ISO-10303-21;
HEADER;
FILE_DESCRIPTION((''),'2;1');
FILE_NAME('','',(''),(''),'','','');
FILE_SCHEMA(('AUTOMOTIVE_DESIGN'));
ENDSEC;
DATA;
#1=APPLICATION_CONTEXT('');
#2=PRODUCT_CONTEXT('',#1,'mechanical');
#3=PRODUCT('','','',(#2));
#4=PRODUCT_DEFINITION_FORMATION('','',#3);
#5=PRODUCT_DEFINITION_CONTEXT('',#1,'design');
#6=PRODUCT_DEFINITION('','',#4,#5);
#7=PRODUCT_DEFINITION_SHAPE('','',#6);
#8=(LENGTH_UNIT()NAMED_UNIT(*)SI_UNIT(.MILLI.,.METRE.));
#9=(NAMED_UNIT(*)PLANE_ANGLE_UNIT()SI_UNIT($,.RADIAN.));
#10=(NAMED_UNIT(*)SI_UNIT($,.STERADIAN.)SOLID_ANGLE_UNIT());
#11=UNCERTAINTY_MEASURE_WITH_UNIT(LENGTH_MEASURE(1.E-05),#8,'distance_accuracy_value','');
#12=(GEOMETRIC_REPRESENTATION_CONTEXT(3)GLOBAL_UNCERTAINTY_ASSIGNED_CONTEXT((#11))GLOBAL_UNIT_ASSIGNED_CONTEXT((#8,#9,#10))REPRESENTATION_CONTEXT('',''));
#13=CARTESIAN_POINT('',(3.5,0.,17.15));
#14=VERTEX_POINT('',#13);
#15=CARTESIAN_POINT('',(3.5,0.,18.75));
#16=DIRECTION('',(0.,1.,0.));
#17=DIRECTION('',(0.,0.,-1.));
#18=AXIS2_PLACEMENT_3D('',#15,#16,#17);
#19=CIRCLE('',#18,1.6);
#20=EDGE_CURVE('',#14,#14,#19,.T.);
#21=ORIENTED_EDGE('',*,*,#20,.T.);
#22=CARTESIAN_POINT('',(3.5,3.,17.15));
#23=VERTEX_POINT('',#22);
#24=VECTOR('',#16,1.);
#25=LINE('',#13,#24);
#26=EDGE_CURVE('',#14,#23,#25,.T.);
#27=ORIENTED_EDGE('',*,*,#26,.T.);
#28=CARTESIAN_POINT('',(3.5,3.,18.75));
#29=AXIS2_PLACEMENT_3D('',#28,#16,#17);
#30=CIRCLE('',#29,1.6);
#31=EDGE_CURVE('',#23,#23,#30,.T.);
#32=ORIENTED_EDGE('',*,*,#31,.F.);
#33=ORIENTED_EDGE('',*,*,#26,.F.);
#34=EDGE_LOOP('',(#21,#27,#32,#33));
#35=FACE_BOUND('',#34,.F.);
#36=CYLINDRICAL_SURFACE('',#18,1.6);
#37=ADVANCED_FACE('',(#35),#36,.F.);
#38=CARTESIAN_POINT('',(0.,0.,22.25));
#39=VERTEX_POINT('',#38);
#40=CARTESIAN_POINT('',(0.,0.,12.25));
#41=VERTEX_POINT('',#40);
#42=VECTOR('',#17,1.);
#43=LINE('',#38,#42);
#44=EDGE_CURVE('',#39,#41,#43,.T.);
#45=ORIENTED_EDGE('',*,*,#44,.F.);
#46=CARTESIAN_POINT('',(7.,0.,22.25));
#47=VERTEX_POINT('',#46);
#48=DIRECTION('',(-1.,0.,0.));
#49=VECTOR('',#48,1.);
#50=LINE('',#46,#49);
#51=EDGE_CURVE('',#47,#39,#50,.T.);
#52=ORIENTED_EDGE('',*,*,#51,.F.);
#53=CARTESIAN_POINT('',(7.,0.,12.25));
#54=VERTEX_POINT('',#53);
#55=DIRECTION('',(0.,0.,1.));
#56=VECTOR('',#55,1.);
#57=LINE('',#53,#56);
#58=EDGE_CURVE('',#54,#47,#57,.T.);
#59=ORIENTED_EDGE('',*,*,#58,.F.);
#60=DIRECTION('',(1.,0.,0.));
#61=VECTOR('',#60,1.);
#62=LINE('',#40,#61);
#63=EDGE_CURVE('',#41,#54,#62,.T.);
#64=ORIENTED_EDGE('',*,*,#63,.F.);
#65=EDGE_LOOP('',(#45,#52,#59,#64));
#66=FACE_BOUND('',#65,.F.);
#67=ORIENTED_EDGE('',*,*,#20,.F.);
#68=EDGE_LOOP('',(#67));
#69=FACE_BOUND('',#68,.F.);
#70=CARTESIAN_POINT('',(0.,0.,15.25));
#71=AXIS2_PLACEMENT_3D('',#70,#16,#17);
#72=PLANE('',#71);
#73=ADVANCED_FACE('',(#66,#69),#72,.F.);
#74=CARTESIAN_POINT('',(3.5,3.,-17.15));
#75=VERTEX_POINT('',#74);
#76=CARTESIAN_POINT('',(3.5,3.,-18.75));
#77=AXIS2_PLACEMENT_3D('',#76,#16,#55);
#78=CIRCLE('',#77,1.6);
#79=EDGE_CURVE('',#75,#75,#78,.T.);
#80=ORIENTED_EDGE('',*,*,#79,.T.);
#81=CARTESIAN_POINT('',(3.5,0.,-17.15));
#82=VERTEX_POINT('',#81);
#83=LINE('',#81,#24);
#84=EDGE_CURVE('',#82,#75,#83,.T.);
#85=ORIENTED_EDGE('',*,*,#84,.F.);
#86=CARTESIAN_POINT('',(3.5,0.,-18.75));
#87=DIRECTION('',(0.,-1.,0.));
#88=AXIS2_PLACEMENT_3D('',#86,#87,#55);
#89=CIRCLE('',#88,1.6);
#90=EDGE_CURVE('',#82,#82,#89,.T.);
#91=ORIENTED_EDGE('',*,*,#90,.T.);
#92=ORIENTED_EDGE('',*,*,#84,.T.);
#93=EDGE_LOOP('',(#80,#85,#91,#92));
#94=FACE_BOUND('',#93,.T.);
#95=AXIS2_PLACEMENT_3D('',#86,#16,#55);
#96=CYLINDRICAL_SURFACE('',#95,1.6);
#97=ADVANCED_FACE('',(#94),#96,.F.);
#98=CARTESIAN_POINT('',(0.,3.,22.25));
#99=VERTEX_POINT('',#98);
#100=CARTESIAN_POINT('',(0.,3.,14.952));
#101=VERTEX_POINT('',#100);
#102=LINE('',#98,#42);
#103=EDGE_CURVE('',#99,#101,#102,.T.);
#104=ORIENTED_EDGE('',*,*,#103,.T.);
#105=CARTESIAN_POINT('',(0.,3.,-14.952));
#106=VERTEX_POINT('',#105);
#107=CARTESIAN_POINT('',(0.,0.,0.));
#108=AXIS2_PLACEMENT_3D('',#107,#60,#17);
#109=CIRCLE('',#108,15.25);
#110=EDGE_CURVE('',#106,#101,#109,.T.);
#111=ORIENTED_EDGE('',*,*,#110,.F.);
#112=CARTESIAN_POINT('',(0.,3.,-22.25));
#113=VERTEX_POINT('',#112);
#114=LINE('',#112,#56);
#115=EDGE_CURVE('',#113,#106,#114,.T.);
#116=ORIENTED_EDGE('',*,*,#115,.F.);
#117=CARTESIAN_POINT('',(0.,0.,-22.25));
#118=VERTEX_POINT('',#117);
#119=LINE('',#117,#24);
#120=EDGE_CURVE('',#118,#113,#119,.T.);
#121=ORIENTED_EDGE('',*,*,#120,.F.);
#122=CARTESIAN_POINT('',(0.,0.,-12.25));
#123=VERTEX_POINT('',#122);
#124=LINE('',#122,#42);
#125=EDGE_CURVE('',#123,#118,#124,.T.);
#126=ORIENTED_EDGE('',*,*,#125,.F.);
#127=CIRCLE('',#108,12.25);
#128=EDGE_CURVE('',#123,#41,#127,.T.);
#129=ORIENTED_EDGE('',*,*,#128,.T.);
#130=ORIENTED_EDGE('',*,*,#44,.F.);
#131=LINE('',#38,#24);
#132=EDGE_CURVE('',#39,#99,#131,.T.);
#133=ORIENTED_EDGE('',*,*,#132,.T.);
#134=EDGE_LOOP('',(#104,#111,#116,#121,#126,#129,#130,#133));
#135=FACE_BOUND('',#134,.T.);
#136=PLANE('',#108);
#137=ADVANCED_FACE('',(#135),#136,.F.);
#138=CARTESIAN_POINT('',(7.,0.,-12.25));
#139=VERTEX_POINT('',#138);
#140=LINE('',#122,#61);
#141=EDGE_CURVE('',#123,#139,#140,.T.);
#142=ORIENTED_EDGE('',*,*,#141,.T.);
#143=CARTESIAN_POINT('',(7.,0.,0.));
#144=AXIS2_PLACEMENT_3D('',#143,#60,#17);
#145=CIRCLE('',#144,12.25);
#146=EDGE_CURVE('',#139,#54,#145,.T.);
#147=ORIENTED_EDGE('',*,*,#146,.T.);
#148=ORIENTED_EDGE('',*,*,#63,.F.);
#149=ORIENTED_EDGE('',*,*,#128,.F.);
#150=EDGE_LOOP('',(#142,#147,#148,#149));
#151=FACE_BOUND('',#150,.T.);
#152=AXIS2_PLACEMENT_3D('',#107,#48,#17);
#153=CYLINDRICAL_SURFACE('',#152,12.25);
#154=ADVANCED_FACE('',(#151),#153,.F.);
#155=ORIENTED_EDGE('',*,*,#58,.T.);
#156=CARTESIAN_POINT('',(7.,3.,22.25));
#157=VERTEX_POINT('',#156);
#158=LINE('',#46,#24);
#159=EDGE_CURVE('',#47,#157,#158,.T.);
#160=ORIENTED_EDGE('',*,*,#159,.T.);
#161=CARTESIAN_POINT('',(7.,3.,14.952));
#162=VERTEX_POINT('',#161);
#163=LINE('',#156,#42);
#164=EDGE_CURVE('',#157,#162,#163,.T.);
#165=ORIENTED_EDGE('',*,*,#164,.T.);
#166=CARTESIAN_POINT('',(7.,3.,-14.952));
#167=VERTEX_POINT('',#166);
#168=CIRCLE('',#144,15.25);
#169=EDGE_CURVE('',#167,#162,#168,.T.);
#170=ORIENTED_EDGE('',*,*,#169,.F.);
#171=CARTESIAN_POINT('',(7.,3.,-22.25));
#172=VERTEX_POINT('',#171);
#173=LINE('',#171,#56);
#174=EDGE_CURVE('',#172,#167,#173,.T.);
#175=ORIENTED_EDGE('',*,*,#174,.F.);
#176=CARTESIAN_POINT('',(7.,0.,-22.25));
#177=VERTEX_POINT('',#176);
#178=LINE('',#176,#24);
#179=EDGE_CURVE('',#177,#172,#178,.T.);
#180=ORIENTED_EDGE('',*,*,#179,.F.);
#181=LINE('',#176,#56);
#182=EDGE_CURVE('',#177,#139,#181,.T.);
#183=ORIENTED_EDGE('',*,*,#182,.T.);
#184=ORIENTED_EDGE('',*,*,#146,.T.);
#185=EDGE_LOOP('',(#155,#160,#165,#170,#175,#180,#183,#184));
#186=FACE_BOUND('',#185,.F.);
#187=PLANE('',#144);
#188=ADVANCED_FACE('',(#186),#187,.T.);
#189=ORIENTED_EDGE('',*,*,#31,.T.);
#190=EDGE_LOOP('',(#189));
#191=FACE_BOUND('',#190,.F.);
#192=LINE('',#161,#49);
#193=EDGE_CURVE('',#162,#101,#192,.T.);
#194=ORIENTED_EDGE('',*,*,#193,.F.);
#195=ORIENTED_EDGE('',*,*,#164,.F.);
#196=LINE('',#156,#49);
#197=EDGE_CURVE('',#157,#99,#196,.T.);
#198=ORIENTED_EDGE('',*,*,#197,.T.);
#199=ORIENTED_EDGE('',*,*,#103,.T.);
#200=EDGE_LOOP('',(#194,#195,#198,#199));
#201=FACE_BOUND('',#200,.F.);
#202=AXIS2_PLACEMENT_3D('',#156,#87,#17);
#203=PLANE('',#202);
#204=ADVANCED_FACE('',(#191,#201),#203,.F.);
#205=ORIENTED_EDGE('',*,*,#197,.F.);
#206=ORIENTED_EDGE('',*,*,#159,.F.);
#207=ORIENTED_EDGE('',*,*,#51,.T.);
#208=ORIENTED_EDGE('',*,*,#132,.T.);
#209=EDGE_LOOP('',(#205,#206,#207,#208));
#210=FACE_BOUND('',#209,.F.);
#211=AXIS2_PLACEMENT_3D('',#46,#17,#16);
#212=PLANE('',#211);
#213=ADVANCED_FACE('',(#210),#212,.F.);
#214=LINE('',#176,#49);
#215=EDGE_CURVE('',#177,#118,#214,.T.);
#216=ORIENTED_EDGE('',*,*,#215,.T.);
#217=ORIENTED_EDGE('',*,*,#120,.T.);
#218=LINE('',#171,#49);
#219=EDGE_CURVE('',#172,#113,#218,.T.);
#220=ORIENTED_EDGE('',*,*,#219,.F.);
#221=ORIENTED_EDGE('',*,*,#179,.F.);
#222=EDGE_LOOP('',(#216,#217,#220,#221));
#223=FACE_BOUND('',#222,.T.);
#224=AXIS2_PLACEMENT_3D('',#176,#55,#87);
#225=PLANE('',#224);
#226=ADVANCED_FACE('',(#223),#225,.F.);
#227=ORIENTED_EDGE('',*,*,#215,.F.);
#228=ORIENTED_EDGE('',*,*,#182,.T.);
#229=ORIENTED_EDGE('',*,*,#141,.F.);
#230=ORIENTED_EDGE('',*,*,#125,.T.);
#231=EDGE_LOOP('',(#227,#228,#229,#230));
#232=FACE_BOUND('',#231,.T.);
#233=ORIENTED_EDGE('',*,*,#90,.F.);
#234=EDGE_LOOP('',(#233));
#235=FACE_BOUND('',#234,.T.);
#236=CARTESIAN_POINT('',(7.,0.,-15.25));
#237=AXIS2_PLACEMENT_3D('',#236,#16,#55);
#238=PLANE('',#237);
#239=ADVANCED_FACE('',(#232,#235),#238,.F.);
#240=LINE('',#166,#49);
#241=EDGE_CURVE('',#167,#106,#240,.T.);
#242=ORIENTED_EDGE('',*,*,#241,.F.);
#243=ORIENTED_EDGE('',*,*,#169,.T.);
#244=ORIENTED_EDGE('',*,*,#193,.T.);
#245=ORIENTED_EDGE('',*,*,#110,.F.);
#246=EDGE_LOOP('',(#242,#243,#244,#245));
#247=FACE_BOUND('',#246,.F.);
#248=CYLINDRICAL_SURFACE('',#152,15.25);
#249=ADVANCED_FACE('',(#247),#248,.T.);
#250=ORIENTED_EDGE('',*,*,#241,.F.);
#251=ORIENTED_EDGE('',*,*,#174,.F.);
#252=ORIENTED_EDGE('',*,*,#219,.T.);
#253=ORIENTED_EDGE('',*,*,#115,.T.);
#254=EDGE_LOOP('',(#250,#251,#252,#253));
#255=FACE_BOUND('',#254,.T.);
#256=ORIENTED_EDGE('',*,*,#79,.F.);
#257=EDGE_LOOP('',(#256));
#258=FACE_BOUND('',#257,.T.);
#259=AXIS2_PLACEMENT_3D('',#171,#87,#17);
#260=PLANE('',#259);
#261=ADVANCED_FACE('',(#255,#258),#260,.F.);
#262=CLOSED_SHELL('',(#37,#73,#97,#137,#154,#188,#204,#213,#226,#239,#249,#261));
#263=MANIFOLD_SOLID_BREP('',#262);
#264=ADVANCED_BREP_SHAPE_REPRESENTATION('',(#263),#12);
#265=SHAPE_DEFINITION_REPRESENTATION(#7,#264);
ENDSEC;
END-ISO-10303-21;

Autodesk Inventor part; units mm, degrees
ref_plane "YZ Plane" through (0, 0, 0) normal (1, 0, 0) x (0, 1, 0)
ref_plane "XZ Plane" through (0, 0, 0) normal (0, 1, 0) x (-1, 0, 0)
ref_plane "XY Plane" through (0, 0, 0) normal (0, 0, 1) x (1, 0, 0)
sketch "Skizze1" plane through (0, 0, 0) normal (1, 0, 0) x (0, 1, 0)
  arc A0 (0, -12.25) -> (0, 12.25) centre (0, 0) ccw
  line L0 (0, 0) -> (0, 12.25) construction
  line L1 (0, 0) -> (0, -12.25) construction
  arc A1 (0, -15.25) -> (0, 15.25) centre (0, 0) ccw
  line L2 (0, 15.25) -> (0, 12.25)
  line L3 (0, -12.25) -> (0, -15.25)
  dimension "d0" = 12.25
  dimension "d1" = 180
  dimension "d3" = 15.25
extrude "Extrusion1" add sketch "Skizze1" along normal blind 7
sketch "Skizze3" plane through (7, 0, 0) normal (1, 0, 0) x (0, 0, -1)
  arc A0 (15.25, 0) -> (-15.25, 0) centre (0, 0) ccw projected
  line L0 (-15.25, 0) -> (-22.25, 0)
  line L1 (-22.25, 0) -> (-22.25, 3)
  line L2 (-22.25, 3) -> (-14.952, 3)
  dimension "d6" = 7
  dimension "d7" = 3
extrude "Extrusion3" add sketch "Skizze3" against normal blind 7
sketch "Skizze5" plane through (0, 0, 12.25) normal (0, -1, 0) x (1, 0, 0)
  line L0 (7, 10) -> (7, 0) projected
  line L1 (7, 10) -> (0, 10) projected
  point P0 (0, -12.25)
  point P1 (3.5, 6.5)
  dimension "d19" = 3.5
  dimension "d20" = 3.5
hole "Bohrung1" at (3.5, 0, 18.75) direction (0, 1, 0) diameter 3.2 end through all
mirror "Spiegeln1" about plane through (0, 0, 0) normal (0, 0, 1) of "Extrusion3", "Bohrung1"
properties part number "klemme"
